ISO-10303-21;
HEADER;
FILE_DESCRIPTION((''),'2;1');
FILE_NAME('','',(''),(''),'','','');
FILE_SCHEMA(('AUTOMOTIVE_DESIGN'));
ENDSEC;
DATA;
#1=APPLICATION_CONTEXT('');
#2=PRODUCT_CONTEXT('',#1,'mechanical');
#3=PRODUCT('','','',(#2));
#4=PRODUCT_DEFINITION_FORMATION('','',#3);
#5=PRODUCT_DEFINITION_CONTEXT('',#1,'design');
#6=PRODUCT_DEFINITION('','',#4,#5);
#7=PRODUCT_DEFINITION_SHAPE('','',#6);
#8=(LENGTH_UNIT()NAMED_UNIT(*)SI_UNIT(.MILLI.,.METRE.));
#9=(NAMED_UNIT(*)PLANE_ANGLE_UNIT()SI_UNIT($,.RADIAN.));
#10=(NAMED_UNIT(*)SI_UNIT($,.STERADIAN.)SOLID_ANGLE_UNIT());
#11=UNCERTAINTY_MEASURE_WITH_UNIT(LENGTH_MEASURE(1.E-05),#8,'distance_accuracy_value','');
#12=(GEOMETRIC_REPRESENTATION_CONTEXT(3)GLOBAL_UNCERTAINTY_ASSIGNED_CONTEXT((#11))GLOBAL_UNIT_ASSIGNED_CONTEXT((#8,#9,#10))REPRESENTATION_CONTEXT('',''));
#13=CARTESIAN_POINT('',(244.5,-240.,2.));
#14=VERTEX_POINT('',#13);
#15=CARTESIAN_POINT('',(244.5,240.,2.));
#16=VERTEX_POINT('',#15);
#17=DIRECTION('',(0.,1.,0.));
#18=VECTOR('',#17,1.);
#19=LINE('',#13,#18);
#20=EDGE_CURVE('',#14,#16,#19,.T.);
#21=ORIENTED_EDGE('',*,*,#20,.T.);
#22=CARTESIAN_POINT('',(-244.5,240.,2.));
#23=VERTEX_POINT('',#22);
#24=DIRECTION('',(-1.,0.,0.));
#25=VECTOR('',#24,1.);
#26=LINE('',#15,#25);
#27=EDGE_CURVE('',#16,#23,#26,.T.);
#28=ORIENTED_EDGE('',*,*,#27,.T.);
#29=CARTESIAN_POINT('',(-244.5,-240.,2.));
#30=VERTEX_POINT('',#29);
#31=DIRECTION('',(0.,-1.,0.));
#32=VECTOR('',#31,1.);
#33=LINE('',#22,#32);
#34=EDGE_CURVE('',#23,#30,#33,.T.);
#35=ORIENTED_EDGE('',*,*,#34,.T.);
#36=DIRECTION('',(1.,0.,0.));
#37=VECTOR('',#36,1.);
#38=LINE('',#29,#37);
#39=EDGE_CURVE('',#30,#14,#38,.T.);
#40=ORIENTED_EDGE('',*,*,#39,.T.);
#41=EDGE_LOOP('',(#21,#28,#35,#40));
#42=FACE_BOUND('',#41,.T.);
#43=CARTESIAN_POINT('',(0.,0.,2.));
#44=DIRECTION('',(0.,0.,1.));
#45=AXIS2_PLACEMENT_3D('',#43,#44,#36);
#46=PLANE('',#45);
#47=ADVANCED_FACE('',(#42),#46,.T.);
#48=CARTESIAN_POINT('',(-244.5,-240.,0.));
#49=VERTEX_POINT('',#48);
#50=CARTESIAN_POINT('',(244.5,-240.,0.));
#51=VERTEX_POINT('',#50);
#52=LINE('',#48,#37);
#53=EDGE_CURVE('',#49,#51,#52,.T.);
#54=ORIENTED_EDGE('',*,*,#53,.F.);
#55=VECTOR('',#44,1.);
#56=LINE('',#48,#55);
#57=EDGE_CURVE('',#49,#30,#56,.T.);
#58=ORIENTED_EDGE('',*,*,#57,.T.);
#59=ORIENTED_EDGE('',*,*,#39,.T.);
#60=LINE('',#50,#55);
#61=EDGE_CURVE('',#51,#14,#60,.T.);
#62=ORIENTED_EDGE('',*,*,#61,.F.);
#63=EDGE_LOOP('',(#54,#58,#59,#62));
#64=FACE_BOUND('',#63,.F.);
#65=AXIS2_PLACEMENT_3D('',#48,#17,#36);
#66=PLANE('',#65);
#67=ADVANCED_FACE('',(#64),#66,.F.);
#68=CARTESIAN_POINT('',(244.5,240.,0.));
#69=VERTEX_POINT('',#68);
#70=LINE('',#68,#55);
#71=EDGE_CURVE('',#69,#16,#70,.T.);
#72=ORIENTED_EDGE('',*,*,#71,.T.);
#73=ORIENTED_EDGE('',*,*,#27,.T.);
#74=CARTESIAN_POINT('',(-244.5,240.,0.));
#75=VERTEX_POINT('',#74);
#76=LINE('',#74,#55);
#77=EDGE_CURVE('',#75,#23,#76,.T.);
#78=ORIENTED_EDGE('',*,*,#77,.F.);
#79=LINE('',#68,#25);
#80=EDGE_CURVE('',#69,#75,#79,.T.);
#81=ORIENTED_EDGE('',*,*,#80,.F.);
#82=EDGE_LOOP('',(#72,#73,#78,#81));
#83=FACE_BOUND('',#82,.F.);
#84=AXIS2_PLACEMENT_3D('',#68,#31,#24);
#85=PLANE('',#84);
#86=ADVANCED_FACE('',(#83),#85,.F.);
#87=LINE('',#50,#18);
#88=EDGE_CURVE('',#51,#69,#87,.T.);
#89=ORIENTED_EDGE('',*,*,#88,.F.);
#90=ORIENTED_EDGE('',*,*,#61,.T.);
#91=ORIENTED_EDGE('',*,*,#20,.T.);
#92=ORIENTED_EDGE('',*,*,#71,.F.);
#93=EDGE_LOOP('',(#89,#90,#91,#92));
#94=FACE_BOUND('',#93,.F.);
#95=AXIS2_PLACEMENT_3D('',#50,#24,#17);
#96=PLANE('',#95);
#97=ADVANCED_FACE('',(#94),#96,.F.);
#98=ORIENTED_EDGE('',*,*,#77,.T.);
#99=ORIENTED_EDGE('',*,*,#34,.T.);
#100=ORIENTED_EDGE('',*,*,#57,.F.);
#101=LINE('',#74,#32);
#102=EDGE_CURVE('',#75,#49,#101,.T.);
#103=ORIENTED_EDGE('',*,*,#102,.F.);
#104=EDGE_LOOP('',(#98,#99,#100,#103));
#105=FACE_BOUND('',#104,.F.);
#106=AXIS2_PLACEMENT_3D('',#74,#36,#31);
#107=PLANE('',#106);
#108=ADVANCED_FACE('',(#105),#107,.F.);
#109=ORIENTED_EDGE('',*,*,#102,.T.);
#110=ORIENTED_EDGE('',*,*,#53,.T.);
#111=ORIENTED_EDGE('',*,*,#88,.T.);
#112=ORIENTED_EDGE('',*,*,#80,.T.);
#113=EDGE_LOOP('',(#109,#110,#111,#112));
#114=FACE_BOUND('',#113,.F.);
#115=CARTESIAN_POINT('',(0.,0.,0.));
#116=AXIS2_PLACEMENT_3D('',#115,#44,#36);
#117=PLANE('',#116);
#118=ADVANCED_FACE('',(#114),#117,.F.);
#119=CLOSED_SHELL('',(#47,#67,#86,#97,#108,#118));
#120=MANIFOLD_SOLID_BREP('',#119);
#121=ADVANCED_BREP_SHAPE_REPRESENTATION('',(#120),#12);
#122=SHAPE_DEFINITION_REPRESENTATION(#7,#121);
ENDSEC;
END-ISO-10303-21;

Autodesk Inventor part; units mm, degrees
ref_plane "YZ Plane" through (0, 0, 0) normal (1, 0, 0) x (0, 1, 0)
ref_plane "XZ Plane" through (0, 0, 0) normal (0, 1, 0) x (-1, 0, 0)
ref_plane "XY Plane" through (0, 0, 0) normal (0, 0, 1) x (1, 0, 0)
sketch "Sketch1" plane through (0, 0, 0) normal (0, 0, 1) x (1, 0, 0)
  line L0 (285, 285) -> (-285, -285) construction
  line L1 (-244.5, -240) -> (244.5, -240)
  line L2 (244.5, -240) -> (244.5, 240)
  line L3 (244.5, 240) -> (-244.5, 240)
  line L4 (-244.5, 240) -> (-244.5, -240)
  line L5 (-244.5, -240) -> (244.5, 240) construction
  line L6 (244.5, -240) -> (-244.5, 240) construction
  point P0 (0, 0)
  dimension "d2" = 489
  dimension "d18" = 480
extrude "Plate1" add sketch "Sketch1" along normal blind 2
equation "\"d3\" = Thickness"
equation "\"BendRadius\" = Thickness"
equation "\"BendReliefWidth\" = Thickness"
equation "\"BendReliefDepth\" = 0.5 * Thickness"
equation "\"CornerReliefSize\" = 4 * Thickness"
equation "\"MinimumRemnant\" = 2 * Thickness"
equation "\"TransitionRadius\" = BendRadius"
equation "\"JacobiRadiusSize\" = BendRadius"
equation "\"GapSize\" = Thickness"
equation "\"Thickness\" = 2"
properties part number "PNS waste water bin 03"
